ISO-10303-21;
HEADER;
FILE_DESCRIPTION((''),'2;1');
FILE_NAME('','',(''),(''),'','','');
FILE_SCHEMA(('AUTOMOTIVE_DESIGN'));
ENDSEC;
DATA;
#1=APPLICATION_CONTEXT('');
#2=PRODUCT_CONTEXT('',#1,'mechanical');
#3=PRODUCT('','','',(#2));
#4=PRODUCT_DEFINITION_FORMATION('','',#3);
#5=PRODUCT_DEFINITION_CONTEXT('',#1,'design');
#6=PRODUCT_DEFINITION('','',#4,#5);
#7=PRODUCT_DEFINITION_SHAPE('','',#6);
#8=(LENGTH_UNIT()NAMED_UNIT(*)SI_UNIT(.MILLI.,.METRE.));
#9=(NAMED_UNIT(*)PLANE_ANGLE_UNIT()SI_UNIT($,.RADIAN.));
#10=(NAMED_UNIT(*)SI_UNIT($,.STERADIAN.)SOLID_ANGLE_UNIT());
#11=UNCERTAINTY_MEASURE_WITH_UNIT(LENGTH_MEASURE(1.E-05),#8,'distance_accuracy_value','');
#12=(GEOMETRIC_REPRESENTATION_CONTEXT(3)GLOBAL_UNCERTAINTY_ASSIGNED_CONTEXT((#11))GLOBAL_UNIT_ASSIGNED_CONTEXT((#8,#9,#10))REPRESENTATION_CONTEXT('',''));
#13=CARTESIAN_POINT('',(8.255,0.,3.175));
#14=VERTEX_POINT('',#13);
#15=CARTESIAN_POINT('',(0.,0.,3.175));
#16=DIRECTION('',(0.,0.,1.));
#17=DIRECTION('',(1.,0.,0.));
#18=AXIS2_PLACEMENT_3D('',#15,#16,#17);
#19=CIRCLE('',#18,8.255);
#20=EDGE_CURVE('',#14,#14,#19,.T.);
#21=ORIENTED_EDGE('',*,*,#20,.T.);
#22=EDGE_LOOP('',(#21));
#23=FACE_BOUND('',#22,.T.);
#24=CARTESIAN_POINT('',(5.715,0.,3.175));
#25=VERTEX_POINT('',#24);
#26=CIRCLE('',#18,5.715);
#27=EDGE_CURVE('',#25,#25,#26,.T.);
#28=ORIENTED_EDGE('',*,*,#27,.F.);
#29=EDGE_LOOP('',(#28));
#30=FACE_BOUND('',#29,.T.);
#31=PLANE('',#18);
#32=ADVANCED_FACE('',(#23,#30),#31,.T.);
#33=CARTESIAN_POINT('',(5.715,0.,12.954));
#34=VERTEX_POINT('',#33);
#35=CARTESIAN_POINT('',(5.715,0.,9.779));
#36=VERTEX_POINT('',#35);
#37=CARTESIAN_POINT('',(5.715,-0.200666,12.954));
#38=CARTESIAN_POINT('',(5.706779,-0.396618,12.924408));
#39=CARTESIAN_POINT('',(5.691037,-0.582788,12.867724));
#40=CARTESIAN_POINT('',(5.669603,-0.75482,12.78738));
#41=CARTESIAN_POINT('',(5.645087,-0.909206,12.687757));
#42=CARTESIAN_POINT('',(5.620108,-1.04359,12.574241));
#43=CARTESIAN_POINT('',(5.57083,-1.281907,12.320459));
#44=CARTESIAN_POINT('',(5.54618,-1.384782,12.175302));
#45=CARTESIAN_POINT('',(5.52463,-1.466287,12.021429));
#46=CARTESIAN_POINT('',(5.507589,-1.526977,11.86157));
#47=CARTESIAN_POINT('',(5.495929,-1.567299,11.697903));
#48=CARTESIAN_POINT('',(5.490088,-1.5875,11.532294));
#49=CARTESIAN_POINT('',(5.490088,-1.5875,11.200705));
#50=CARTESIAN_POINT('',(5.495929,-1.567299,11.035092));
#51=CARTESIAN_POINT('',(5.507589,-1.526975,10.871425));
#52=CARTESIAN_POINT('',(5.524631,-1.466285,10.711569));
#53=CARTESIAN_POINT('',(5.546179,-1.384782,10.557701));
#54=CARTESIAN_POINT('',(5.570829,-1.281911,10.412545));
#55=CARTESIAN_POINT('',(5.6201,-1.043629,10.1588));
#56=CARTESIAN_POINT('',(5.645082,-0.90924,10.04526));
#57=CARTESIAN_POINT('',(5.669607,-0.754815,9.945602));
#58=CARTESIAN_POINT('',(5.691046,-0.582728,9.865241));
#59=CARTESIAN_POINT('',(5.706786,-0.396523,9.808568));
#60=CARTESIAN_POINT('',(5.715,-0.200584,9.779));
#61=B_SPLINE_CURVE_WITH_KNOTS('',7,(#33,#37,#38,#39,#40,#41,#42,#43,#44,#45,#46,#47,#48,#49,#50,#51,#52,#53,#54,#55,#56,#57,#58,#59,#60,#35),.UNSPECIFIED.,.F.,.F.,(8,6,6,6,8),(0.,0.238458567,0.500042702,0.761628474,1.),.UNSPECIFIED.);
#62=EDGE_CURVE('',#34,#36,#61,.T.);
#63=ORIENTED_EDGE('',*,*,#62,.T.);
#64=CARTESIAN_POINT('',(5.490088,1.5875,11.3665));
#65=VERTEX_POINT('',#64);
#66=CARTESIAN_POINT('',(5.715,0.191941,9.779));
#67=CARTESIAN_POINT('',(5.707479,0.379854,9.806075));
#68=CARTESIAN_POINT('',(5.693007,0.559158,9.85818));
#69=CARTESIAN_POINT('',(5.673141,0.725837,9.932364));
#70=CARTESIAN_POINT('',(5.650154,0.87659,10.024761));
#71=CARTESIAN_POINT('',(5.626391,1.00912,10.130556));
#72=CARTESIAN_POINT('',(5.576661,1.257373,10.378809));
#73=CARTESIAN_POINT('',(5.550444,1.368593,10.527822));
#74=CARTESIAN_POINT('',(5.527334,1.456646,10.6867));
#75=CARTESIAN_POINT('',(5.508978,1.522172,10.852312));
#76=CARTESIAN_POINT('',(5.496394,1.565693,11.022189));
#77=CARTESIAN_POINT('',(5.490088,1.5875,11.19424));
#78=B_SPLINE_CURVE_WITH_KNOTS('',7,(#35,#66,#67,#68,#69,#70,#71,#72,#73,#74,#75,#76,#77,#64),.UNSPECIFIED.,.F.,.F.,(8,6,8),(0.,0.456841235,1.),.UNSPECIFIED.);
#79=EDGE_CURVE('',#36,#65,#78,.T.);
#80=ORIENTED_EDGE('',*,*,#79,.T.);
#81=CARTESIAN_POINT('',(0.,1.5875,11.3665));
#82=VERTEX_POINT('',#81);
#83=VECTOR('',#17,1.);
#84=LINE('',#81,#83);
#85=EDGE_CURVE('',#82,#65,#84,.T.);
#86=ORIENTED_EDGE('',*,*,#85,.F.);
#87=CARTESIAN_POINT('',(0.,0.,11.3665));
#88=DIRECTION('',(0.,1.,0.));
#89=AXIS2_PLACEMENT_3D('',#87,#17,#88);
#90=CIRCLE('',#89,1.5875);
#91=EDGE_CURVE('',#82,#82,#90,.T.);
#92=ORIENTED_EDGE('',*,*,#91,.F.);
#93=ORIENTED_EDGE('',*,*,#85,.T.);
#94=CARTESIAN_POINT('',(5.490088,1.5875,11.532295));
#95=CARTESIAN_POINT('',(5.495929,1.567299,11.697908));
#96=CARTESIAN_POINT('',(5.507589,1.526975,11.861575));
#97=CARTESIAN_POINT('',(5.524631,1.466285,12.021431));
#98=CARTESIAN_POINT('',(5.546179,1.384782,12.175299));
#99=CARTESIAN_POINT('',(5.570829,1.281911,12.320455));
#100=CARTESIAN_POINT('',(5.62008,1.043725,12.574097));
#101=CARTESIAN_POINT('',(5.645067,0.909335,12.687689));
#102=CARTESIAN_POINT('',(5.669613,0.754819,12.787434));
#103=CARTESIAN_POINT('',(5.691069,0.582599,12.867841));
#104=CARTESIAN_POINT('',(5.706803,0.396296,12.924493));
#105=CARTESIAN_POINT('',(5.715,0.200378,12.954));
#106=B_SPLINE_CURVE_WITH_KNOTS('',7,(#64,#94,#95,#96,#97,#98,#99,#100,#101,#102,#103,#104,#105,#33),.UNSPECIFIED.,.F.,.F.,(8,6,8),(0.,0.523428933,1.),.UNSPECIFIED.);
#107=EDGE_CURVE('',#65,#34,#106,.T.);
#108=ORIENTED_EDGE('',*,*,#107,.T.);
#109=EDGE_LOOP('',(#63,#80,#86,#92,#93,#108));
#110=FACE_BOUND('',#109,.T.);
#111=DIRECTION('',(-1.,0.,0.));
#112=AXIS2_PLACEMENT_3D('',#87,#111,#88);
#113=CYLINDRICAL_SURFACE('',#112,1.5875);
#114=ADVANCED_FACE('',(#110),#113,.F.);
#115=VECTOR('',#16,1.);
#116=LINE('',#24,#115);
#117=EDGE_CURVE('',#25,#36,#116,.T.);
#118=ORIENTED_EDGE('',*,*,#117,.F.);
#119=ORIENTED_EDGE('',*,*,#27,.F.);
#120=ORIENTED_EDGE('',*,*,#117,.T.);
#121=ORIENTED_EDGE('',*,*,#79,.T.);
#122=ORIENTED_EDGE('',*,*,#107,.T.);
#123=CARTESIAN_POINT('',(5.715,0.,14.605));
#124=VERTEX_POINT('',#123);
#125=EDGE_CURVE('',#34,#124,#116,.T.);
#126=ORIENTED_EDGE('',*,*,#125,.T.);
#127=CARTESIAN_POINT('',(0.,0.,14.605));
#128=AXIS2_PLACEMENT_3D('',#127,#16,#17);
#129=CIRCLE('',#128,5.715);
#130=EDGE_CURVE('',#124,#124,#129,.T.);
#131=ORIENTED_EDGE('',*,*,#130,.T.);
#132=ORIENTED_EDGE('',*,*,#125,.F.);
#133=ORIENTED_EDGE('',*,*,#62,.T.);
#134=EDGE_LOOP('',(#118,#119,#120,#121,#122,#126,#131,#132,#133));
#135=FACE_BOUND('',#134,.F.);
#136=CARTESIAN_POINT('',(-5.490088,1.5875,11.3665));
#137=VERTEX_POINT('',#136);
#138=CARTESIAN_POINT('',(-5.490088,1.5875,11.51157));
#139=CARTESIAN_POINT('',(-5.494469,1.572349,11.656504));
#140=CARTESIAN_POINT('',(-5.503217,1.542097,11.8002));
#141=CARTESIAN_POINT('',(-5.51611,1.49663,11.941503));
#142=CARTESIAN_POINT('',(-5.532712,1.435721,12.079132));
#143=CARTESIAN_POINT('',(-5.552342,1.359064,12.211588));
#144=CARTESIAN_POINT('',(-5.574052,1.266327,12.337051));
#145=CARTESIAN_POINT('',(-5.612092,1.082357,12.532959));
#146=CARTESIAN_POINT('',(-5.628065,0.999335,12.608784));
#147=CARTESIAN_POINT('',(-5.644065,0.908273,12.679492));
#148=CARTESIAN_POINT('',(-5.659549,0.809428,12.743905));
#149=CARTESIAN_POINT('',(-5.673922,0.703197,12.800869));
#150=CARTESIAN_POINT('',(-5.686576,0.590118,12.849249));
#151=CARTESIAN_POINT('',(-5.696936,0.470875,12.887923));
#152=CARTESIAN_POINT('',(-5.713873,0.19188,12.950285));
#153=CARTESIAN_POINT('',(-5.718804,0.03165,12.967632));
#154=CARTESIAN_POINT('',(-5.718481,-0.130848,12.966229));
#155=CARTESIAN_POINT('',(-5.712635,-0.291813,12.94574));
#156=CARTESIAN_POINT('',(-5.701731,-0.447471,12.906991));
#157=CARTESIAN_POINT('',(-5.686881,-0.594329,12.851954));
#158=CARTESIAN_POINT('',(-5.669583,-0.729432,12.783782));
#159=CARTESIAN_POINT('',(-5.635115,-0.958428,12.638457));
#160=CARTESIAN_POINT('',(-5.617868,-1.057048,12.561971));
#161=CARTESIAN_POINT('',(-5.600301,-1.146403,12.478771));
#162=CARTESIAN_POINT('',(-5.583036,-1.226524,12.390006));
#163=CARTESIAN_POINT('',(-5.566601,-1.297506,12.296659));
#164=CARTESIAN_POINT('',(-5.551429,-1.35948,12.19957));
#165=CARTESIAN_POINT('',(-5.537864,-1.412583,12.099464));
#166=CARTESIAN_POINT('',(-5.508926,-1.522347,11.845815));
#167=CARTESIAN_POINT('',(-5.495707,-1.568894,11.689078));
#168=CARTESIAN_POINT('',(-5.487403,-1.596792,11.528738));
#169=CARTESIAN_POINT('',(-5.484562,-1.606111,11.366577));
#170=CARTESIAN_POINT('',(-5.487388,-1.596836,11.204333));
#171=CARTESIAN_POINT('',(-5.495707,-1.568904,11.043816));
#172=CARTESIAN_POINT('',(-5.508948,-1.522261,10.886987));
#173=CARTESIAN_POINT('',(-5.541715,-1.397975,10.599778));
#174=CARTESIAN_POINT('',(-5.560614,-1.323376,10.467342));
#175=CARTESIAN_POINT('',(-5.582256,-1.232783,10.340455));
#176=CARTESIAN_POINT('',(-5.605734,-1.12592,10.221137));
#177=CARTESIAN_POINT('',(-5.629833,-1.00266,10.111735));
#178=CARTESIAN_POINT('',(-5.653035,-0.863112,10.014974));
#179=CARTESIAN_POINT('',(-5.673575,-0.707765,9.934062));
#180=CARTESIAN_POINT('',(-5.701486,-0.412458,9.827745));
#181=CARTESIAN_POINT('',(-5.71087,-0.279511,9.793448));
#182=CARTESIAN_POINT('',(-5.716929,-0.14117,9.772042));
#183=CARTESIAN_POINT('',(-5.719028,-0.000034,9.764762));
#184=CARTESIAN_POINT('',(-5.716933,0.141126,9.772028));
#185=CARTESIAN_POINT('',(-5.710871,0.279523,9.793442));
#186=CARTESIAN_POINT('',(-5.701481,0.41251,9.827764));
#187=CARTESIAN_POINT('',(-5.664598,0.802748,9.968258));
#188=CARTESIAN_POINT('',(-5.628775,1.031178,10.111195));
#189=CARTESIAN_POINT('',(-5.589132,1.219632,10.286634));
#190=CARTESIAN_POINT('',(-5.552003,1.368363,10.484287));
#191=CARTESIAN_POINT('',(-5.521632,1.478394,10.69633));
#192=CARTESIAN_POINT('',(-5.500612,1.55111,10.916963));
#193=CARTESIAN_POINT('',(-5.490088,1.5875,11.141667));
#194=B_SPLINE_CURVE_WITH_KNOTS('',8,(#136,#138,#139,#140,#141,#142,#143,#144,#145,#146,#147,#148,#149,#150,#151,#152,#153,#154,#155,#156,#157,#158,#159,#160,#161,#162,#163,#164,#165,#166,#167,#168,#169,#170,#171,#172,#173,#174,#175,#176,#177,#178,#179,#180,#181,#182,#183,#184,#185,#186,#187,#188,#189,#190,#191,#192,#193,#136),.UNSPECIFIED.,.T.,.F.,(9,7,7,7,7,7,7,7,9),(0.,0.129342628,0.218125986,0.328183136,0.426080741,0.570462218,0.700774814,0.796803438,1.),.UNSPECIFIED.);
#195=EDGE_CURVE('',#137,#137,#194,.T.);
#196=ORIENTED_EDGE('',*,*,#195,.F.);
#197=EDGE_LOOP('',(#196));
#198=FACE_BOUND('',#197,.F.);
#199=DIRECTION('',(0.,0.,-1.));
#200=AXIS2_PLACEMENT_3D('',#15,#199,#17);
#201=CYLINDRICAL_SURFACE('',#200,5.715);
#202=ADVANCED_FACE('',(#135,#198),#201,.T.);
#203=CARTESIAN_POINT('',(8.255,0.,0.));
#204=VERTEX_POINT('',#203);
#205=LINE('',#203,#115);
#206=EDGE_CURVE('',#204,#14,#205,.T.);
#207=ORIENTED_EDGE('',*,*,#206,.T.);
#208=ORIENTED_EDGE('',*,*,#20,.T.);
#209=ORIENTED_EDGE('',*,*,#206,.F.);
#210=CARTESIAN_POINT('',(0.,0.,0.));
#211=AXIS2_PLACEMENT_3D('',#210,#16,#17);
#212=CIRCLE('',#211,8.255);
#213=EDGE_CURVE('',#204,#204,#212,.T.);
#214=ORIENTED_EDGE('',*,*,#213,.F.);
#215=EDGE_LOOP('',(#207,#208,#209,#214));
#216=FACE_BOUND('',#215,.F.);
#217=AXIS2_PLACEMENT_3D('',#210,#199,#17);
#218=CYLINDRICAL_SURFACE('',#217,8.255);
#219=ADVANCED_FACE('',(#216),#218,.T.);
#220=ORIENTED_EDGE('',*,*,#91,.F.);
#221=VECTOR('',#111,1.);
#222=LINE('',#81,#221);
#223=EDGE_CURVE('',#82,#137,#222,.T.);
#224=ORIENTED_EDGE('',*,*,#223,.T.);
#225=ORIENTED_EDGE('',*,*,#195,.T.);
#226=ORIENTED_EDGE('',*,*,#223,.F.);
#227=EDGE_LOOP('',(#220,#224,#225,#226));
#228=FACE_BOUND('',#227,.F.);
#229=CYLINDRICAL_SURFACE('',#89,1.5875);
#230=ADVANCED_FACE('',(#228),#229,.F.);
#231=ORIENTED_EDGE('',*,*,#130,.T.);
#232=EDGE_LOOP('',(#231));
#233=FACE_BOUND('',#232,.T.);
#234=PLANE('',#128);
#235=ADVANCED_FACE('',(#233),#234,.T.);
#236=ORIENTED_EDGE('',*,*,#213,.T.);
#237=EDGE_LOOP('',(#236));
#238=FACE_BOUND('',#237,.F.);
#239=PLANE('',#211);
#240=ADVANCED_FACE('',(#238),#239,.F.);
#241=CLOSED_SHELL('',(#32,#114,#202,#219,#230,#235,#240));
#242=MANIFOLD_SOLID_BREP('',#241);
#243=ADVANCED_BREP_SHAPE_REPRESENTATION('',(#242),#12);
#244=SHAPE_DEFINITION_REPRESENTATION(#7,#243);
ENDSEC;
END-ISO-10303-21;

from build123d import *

# Parameters (mm, degrees)
F0_R          = 8.255
F1_DEPTH      = 3.175
F2_R          = 5.715
F3_DEPTH      = 11.43
F4_R          = 1.5875
F5_DEPTH      = 8.256
F5_DEPTH_BACK = 25.4


with BuildPart() as f1:
    # F0 (on Top) → F1 (new body)
    with BuildSketch(Plane.XY):
        Circle(F0_R)
    extrude(amount=F1_DEPTH)

    # F2 (on face) → F3 (join)
    with BuildSketch(Plane.XY.offset(3.175)):
        Circle(F2_R)
    extrude(amount=F3_DEPTH)

    # F4 (on Right) → F5 (cut, two sides)
    with BuildSketch(Plane.YZ) as f5_sk:
        with Locations((0, 11.3665)):
            Circle(F4_R)
    extrude(amount=-F5_DEPTH, mode=Mode.SUBTRACT)
    extrude(f5_sk.sketch, amount=F5_DEPTH_BACK, mode=Mode.SUBTRACT)


solid = f1.part
